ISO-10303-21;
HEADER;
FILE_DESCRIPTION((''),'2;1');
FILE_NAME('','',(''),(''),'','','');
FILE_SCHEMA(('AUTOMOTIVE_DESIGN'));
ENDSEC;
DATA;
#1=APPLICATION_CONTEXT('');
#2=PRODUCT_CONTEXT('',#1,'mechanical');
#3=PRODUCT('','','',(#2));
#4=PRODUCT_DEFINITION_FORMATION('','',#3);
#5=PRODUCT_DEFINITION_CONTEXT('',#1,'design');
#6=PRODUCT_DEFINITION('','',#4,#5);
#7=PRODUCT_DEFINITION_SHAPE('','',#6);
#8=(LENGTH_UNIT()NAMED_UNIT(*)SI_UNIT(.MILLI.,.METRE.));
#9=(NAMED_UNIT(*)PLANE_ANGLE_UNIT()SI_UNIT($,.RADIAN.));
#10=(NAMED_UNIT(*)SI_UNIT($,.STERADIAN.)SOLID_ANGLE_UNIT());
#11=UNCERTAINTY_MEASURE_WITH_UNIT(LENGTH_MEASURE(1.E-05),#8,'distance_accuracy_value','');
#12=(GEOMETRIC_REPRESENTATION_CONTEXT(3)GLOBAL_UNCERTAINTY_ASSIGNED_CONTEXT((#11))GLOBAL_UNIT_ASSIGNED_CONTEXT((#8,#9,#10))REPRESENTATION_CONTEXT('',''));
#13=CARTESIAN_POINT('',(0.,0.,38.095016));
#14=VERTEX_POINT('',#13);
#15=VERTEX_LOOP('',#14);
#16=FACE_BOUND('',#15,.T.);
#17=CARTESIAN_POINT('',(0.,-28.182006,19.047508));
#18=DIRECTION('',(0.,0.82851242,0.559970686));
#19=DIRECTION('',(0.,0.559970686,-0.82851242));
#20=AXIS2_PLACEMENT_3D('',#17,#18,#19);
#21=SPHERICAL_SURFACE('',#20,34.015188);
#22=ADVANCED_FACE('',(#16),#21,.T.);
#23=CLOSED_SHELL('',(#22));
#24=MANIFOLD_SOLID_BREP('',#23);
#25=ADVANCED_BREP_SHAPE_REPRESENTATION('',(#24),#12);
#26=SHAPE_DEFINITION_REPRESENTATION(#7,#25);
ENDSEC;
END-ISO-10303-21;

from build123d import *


with BuildPart() as f1:
    # F0 (on Right) → F1 (revolve)
    with BuildSketch(Plane.YZ):
        with BuildLine():
            Line((0, 38.0950160325), (-56.3640110195, 0))
            ThreePointArc((-56.3640110195, 0), (-9.1344974935, -9.1344974935), (0, 38.0950160325))
        make_face()
    revolve(axis=Axis((0, -28.1820055097, 19.0475080162), (0, 0.8285124202, 0.5599706863)))


solid = f1.part
